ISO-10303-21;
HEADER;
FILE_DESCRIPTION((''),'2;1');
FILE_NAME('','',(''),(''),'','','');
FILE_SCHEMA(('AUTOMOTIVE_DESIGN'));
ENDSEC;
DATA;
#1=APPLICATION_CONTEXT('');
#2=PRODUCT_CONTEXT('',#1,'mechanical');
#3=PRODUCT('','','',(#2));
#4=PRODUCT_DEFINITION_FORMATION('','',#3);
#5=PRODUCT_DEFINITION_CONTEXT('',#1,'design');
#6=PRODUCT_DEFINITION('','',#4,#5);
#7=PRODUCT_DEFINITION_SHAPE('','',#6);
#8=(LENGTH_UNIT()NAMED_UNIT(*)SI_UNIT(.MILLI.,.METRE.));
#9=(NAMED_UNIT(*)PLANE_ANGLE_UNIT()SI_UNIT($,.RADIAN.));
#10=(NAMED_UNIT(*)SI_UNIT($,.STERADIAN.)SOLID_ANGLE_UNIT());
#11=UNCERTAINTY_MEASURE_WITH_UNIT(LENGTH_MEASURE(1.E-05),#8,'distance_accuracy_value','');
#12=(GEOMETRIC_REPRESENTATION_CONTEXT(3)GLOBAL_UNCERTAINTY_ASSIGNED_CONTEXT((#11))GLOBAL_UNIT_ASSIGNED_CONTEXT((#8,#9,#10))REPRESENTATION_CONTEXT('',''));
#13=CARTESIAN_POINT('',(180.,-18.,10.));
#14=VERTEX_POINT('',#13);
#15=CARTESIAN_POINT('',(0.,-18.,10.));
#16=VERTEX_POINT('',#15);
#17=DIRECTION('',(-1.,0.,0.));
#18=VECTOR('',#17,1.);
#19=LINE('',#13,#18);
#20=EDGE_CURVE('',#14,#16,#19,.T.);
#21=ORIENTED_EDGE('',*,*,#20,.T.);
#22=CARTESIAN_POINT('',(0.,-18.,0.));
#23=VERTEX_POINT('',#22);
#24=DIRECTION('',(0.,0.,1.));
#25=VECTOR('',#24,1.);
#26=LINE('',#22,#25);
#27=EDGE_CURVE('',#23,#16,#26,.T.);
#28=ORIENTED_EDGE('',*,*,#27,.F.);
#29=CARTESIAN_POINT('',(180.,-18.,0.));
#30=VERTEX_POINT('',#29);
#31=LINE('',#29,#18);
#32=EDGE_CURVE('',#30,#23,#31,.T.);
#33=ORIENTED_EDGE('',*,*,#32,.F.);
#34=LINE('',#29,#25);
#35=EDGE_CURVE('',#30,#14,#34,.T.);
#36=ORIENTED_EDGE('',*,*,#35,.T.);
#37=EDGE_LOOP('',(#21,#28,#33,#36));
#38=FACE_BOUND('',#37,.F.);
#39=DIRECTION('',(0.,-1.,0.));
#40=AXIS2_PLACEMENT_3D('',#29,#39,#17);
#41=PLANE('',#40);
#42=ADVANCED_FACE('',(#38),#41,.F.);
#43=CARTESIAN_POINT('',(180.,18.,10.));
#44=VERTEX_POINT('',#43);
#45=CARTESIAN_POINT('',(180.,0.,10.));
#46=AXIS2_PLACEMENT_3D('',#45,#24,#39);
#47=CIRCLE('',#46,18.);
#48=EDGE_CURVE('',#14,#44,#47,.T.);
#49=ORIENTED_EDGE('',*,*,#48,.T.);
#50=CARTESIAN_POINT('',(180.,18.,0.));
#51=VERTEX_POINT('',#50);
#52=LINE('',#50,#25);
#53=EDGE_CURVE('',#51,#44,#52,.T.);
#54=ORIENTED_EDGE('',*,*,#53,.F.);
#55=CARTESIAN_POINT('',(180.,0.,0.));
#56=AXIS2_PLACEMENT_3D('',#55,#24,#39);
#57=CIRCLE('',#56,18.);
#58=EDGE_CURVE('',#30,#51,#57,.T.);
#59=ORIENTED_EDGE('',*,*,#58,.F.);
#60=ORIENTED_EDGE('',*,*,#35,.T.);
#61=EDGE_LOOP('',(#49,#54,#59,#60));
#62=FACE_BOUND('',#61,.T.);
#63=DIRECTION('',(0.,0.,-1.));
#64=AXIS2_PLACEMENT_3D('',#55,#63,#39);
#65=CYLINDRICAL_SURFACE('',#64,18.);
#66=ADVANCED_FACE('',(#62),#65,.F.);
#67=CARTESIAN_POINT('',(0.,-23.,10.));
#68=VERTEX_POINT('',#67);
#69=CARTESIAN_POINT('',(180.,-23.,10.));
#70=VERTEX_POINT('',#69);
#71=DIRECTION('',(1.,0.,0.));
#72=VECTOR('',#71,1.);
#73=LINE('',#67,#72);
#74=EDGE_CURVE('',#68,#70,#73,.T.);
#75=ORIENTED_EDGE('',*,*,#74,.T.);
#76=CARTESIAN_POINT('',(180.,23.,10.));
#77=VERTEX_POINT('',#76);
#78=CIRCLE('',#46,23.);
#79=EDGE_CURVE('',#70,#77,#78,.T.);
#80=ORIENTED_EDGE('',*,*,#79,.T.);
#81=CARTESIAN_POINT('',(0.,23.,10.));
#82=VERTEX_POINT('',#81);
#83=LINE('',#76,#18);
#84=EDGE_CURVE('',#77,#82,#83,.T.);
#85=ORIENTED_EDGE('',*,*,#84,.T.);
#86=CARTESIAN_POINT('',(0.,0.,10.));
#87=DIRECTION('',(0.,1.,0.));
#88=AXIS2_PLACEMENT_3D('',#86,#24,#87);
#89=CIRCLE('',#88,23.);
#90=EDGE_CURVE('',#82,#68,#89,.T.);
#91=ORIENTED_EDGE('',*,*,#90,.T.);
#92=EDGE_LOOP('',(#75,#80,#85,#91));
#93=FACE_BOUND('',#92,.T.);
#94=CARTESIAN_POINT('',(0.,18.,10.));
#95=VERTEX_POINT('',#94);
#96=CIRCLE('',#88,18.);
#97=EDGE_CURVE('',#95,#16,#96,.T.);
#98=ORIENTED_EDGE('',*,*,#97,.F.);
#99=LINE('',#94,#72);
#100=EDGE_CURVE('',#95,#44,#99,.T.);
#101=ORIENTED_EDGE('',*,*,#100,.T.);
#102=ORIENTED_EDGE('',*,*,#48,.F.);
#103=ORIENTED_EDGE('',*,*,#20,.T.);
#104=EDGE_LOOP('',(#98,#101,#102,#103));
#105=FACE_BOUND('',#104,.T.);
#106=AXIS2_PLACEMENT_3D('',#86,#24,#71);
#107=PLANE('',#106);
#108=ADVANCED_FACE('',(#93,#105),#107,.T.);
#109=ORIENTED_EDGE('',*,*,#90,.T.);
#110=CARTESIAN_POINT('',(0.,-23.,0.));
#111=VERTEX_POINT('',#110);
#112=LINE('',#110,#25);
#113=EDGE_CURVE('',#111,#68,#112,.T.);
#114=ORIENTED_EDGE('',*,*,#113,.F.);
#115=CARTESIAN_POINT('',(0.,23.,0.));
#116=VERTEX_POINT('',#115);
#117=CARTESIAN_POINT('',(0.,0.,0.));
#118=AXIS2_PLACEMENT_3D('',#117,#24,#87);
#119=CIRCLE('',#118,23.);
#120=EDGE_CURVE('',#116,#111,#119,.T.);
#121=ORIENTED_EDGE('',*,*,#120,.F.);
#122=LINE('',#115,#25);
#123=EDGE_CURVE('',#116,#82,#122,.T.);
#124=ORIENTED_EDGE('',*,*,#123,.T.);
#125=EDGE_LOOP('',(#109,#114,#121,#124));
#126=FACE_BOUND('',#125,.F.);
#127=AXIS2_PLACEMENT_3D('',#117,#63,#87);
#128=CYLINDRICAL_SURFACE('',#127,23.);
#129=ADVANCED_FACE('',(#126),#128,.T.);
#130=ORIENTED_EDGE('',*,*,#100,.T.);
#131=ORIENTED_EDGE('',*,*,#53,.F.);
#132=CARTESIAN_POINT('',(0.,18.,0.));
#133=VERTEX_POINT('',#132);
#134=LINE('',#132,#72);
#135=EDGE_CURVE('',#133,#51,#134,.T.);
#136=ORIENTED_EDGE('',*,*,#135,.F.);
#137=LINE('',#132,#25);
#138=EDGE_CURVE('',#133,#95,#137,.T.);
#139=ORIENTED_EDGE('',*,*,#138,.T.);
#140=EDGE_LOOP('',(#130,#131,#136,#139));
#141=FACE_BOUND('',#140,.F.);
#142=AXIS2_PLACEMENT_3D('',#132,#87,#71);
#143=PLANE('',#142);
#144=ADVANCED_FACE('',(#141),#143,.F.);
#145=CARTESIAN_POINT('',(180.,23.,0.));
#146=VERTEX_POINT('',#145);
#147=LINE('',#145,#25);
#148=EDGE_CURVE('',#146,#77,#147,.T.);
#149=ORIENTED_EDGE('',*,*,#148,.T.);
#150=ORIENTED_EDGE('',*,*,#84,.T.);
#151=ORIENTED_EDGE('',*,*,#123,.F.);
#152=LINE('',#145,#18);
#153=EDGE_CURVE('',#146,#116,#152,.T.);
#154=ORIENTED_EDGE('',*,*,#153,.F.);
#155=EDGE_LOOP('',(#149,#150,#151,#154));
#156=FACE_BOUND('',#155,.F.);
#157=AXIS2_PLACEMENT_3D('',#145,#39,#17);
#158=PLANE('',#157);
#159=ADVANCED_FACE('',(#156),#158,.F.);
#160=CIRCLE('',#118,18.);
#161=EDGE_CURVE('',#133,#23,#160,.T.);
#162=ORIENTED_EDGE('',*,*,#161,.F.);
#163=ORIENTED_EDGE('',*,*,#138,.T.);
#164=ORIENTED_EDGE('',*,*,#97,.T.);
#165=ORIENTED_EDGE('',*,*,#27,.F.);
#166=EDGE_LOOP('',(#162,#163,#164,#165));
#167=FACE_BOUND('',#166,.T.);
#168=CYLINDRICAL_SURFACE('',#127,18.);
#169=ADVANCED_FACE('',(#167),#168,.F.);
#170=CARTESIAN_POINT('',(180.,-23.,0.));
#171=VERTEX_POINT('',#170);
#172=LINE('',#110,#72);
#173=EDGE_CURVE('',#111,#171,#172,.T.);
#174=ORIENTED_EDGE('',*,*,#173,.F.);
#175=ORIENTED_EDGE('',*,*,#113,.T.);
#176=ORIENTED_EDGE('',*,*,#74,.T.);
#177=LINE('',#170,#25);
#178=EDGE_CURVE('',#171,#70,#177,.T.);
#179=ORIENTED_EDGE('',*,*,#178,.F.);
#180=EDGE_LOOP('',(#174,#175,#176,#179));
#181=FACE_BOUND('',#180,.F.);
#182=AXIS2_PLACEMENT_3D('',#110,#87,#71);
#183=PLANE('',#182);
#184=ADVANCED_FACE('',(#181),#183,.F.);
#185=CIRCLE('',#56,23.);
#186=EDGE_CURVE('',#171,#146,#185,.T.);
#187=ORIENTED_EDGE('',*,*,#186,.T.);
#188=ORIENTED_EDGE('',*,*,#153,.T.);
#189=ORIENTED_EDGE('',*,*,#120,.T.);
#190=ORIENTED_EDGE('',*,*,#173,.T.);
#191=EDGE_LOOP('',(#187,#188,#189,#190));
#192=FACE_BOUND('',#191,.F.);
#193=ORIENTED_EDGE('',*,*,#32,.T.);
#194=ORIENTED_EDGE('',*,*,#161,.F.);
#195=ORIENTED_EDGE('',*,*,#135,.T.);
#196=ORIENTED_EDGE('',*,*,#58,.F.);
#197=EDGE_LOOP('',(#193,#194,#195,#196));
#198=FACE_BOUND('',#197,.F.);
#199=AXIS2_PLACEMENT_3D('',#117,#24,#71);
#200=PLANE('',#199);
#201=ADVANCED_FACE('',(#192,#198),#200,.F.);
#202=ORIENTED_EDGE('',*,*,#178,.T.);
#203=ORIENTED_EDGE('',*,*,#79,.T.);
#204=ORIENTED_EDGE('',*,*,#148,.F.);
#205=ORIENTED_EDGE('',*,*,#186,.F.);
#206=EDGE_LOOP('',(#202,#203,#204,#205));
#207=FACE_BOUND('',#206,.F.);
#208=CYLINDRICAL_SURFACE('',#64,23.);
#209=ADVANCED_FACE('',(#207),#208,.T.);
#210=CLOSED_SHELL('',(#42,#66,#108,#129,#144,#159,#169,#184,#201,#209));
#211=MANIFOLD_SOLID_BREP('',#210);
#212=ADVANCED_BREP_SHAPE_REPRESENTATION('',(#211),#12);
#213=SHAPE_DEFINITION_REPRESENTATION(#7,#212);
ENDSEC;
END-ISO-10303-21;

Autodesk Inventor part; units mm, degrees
ref_plane "YZ Plane" through (0, 0, 0) normal (1, 0, 0) x (0, 1, 0)
ref_plane "XZ Plane" through (0, 0, 0) normal (0, 1, 0) x (-1, 0, 0)
ref_plane "XY Plane" through (0, 0, 0) normal (0, 0, 1) x (1, 0, 0)
sketch "草图1" plane through (0, 0, 0) normal (0, 0, 1) x (1, 0, 0)
  arc A0 (0, 18) -> (0, -18) centre (0, 0) ccw
  arc A1 (180, -18) -> (180, 18) centre (180, 0) ccw
  line L0 (0, 18) -> (180, 18)
  line L1 (180, -18) -> (0, -18)
  line L2 (180, 23) -> (0, 23)
  arc A2 (0, 23) -> (0, -23) centre (0, 0) ccw
  line L3 (0, -23) -> (180, -23)
  arc A3 (180, -23) -> (180, 23) centre (180, 0) ccw
  dimension "d0" = 36
  dimension "d1" = 36
  dimension "d2" = 180
  dimension "d3" = 5
extrude "拉伸1" add sketch "草图1" along normal blind 10
properties part number "皮带轮2"
